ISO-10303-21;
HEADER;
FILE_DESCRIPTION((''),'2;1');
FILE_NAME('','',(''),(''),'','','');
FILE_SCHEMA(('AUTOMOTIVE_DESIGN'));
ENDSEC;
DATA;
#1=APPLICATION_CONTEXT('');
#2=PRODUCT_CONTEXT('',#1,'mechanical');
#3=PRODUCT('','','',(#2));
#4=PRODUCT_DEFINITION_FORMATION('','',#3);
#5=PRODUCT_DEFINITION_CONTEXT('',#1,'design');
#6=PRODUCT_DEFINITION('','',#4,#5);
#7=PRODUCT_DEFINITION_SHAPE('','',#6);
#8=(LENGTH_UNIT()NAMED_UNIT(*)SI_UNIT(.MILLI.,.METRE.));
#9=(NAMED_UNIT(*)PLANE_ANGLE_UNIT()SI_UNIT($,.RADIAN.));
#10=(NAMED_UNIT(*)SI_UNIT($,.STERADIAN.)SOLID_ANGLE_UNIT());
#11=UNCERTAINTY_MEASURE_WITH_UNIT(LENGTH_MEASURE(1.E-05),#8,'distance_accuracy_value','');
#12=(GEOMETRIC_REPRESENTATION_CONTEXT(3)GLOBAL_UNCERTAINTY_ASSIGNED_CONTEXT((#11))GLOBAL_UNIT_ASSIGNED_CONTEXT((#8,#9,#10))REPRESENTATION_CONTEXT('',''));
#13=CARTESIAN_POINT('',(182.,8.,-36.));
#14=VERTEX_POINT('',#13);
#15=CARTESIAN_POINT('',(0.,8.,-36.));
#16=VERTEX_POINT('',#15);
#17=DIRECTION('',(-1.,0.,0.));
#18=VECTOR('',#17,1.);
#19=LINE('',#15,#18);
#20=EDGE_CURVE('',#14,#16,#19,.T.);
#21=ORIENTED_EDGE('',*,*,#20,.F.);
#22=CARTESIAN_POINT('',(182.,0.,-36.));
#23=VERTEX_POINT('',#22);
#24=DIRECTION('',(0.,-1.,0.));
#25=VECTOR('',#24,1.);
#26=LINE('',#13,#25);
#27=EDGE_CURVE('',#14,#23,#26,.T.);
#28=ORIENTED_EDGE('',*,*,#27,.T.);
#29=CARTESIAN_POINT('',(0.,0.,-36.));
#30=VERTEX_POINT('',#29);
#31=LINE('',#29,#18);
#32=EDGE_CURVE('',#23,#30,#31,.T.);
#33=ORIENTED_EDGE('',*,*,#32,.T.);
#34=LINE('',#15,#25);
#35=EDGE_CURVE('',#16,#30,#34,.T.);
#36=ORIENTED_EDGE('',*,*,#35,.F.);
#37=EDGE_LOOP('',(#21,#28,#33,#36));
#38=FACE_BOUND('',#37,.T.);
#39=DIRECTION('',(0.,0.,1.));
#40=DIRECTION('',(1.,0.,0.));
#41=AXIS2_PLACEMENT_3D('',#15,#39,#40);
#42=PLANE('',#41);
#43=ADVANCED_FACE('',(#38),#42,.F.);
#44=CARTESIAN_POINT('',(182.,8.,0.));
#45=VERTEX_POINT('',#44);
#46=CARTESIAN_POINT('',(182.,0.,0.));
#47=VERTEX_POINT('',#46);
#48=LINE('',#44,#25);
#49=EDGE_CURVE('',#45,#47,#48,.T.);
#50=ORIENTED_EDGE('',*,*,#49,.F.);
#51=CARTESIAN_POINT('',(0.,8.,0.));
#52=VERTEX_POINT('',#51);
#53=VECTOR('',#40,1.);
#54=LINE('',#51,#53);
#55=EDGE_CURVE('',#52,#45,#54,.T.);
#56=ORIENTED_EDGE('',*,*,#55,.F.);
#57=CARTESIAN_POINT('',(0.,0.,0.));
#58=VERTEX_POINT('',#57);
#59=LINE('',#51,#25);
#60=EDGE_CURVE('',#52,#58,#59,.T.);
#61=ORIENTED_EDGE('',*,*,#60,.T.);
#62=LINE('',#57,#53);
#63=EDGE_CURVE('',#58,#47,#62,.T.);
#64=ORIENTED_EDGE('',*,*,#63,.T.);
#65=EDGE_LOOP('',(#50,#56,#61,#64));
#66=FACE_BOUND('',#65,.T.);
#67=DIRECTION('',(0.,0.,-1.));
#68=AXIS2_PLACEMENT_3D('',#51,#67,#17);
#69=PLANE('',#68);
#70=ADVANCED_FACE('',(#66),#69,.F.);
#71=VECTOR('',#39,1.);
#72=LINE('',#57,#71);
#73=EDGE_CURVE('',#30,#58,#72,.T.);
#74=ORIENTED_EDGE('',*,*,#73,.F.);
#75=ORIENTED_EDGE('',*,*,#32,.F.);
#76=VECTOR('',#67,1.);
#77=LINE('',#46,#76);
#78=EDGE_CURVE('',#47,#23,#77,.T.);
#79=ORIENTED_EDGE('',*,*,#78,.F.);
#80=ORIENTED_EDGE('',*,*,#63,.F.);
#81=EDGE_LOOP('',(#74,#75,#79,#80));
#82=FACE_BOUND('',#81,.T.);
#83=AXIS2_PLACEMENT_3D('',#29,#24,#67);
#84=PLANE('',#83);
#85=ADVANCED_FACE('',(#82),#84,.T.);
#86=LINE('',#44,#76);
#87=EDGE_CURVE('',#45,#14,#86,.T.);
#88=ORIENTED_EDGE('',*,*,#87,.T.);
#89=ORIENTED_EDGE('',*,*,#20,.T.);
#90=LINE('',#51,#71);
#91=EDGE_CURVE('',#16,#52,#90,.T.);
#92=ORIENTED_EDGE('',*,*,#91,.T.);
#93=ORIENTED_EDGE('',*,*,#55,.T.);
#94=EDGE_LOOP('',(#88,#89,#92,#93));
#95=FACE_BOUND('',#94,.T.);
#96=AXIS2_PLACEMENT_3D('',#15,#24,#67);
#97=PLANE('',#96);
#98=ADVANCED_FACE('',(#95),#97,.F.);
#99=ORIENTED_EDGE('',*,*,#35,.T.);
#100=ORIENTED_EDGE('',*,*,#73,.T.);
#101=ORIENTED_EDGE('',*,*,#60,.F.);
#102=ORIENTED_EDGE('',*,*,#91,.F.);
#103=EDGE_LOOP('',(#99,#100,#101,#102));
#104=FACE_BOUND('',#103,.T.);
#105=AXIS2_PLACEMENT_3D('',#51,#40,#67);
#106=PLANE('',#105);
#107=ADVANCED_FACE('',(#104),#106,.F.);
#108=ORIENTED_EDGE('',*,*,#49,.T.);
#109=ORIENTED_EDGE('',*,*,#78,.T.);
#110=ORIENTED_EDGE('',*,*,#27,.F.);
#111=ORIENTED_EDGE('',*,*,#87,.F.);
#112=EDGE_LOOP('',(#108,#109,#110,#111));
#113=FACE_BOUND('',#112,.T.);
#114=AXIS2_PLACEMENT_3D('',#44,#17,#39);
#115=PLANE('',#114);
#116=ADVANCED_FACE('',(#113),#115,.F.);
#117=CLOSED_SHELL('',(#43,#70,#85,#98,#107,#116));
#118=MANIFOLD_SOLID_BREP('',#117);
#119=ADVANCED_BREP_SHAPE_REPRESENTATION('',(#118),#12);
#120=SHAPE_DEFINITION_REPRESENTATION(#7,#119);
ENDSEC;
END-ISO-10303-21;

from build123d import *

# Parameters (mm, degrees)
SKETCH1_W           = 182
SKETCH1_H           = 36
BOSS_EXTRUDE1_DEPTH = 8


with BuildPart() as part:
    # Sketch1 → Boss-Extrude1 (new body)
    with BuildSketch(Plane(origin=(0, 0, 0), x_dir=(1, 0, 0), z_dir=(0, 1, 0))):
        with Locations((91, 18)):
            Rectangle(SKETCH1_W, SKETCH1_H)
    extrude(amount=BOSS_EXTRUDE1_DEPTH)


solid = part.part
